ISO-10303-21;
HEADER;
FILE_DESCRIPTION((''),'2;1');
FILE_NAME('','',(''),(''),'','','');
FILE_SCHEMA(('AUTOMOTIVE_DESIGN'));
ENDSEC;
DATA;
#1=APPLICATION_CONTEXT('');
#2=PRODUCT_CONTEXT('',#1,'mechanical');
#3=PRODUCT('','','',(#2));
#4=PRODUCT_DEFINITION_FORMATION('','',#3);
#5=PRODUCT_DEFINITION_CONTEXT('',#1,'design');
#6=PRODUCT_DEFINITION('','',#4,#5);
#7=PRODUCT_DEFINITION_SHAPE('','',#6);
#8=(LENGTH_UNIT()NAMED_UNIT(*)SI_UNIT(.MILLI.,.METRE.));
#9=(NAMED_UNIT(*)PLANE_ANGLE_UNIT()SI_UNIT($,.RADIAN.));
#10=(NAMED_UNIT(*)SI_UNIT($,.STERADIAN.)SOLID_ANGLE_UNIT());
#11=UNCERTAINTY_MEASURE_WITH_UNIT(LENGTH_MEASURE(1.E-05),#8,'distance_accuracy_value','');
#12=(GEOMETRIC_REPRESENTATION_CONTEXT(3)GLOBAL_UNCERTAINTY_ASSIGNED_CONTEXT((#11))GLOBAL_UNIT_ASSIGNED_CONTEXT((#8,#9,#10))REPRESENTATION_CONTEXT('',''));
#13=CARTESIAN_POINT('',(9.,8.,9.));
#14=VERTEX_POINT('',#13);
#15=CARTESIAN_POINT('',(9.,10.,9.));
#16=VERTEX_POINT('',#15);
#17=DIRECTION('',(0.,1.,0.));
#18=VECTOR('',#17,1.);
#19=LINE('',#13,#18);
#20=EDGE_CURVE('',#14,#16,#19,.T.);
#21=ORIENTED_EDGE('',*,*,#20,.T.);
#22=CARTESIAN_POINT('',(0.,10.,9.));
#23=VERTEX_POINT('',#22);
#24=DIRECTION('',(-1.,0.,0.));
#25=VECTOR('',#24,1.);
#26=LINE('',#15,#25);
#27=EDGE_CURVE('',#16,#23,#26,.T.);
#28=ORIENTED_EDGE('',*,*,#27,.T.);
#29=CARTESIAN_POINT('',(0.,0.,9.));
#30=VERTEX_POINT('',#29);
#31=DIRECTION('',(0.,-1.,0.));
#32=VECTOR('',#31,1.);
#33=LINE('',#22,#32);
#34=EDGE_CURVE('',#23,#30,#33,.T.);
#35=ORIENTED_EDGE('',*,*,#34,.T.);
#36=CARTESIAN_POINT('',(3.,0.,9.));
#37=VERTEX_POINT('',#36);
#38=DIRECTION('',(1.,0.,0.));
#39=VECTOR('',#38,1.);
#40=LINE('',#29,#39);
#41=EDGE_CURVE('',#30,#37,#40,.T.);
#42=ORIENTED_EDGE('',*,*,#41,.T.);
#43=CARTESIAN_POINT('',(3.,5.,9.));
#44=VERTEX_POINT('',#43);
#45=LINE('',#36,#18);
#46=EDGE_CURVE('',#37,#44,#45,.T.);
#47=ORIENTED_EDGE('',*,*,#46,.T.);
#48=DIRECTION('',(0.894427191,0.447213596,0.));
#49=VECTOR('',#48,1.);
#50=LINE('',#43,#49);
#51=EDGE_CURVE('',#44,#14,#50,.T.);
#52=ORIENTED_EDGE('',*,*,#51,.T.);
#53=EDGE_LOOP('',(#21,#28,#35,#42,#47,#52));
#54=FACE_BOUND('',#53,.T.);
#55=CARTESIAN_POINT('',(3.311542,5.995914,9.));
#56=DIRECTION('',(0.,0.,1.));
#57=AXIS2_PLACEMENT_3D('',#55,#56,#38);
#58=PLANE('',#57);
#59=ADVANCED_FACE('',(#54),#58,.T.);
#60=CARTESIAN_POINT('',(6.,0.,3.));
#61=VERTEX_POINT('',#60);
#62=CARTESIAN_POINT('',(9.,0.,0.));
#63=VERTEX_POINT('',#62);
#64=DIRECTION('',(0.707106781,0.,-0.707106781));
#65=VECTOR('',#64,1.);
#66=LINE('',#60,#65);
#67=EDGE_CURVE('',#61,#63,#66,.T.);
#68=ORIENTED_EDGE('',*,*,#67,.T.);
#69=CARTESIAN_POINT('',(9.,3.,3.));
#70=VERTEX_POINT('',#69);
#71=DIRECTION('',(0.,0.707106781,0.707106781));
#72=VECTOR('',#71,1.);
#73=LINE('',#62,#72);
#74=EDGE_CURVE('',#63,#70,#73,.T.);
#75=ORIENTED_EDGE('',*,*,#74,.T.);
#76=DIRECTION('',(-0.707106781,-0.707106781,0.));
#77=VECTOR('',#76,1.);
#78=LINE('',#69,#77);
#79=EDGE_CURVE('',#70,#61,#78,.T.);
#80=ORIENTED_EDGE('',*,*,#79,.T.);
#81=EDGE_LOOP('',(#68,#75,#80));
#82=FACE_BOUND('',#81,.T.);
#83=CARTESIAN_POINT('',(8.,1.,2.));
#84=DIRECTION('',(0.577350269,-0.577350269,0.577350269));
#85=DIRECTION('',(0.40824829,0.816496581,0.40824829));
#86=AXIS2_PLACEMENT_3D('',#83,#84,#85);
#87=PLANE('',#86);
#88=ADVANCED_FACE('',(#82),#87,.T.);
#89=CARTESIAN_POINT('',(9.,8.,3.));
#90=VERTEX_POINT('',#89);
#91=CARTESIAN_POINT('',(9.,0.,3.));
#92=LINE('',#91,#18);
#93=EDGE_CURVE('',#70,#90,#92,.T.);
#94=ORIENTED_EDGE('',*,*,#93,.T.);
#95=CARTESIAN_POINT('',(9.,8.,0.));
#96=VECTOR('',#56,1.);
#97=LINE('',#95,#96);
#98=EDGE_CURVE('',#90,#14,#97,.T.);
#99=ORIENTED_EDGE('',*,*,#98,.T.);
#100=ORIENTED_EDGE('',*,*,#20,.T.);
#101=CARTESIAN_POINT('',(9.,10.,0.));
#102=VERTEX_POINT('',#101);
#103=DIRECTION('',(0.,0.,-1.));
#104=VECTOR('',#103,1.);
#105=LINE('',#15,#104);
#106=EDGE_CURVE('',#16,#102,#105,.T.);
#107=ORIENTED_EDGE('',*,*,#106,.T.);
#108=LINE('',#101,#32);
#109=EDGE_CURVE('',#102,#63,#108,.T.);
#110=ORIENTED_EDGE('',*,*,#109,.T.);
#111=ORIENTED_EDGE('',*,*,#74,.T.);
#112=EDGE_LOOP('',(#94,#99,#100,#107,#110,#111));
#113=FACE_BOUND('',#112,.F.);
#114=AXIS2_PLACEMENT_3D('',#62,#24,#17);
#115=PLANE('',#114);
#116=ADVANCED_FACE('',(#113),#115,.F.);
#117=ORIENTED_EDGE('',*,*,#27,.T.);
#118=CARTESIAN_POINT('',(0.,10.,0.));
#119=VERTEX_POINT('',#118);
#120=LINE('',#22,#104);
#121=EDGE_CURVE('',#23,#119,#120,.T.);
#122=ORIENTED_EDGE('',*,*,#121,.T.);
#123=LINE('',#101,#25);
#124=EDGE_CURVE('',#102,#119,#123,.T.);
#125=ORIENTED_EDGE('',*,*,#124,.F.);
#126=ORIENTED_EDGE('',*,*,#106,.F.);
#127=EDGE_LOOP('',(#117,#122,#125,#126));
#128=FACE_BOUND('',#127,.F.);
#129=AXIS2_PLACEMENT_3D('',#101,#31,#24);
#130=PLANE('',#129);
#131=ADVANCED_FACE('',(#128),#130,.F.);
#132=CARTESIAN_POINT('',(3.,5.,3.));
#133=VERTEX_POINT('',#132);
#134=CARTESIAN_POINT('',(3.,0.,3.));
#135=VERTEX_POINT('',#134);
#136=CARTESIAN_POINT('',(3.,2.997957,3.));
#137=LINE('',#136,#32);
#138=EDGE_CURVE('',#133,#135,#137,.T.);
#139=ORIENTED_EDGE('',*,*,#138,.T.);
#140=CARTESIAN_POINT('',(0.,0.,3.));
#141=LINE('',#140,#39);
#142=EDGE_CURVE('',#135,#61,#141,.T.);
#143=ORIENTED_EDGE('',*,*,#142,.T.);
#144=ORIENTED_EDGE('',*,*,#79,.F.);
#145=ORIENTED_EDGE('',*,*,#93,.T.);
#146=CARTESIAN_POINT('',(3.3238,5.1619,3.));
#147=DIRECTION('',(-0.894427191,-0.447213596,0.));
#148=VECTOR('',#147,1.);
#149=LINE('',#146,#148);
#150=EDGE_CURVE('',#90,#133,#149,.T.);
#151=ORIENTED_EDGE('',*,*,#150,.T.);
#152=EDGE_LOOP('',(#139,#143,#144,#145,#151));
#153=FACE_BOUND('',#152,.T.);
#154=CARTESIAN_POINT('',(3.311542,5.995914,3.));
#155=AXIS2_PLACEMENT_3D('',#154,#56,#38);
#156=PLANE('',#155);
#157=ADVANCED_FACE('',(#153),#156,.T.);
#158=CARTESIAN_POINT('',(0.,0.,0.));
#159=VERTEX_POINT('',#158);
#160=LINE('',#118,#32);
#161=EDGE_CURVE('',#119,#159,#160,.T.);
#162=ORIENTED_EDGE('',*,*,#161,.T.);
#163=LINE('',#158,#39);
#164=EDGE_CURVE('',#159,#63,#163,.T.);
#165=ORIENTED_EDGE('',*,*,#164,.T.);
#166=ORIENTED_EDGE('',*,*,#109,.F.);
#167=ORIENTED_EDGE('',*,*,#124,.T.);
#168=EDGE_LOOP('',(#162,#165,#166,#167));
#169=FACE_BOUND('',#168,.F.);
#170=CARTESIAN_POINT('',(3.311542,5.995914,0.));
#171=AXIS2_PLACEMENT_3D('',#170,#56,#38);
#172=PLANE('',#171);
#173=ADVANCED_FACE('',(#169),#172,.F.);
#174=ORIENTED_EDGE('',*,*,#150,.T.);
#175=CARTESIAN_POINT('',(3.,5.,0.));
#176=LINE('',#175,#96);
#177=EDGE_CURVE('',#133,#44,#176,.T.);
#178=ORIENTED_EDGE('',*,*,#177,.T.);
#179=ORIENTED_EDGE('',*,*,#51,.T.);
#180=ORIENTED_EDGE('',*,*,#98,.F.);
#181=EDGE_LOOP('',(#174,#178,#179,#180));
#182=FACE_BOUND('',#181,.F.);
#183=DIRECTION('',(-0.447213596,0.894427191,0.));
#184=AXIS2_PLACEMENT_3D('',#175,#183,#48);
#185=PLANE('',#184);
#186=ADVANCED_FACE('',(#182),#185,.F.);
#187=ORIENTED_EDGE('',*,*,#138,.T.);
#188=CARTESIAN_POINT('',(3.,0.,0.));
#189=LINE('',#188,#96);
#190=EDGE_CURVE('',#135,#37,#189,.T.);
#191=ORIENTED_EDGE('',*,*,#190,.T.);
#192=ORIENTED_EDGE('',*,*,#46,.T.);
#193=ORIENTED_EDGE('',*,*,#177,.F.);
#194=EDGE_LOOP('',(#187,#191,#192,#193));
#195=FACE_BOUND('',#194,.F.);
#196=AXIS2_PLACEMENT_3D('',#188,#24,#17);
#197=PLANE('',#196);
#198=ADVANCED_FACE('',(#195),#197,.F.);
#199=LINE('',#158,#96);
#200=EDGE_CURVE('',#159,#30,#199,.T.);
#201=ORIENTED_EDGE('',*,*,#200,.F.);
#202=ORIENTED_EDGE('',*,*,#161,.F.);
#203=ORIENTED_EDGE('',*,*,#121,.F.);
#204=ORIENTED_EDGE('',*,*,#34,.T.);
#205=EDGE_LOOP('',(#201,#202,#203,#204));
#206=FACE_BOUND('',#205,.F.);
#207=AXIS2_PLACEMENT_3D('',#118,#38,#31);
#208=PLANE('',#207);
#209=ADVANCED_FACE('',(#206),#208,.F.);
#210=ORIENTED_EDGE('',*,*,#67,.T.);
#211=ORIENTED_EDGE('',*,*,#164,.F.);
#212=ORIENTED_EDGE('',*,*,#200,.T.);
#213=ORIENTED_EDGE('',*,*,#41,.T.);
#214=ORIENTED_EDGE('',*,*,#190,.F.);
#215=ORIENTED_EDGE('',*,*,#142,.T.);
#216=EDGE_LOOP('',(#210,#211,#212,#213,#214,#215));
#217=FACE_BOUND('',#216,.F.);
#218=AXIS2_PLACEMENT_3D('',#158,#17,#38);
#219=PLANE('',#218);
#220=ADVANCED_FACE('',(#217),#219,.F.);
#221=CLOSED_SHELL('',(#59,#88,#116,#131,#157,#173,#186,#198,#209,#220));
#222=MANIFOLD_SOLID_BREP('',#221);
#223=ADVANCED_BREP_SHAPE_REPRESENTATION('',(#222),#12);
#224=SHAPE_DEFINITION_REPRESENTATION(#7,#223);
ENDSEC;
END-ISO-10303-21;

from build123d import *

# Parameters (mm, degrees)
F1_DEPTH = 3
F2_DEPTH = 9
F7_DEPTH = 5.1971524227


with BuildPart() as f1:
    # F0 (on Top) → F1 (new body)
    with BuildSketch(Plane.XY):
        Polygon((0, 10), (0, 0), (3, 0), (3, 5), (9, 8), (9, 10), align=None)
        Polygon((3, 5), (3, 0), (9, 0), (9, 8), align=None)
    extrude(amount=F1_DEPTH)

    # F0 (on Top) → F2 (join)
    with BuildSketch(Plane.XY):
        Polygon((0, 10), (0, 0), (3, 0), (3, 5), (9, 8), (9, 10), align=None)
    extrude(amount=F2_DEPTH)

    # F6 (on 3pt) → F7 (cut, through all)
    with BuildSketch(Plane(origin=(3, -3, 3), x_dir=(0.4082482905, 0.8164965809, 0.4082482905), z_dir=(0.5773502692, -0.5773502692, 0.5773502692))):
        Polygon((7.3484692283, -4.2426406871), (3.6742346142, -2.1213203436), (3.6742346142, -6.3639610307), align=None)
    extrude(amount=F7_DEPTH, mode=Mode.SUBTRACT)


solid = f1.part
